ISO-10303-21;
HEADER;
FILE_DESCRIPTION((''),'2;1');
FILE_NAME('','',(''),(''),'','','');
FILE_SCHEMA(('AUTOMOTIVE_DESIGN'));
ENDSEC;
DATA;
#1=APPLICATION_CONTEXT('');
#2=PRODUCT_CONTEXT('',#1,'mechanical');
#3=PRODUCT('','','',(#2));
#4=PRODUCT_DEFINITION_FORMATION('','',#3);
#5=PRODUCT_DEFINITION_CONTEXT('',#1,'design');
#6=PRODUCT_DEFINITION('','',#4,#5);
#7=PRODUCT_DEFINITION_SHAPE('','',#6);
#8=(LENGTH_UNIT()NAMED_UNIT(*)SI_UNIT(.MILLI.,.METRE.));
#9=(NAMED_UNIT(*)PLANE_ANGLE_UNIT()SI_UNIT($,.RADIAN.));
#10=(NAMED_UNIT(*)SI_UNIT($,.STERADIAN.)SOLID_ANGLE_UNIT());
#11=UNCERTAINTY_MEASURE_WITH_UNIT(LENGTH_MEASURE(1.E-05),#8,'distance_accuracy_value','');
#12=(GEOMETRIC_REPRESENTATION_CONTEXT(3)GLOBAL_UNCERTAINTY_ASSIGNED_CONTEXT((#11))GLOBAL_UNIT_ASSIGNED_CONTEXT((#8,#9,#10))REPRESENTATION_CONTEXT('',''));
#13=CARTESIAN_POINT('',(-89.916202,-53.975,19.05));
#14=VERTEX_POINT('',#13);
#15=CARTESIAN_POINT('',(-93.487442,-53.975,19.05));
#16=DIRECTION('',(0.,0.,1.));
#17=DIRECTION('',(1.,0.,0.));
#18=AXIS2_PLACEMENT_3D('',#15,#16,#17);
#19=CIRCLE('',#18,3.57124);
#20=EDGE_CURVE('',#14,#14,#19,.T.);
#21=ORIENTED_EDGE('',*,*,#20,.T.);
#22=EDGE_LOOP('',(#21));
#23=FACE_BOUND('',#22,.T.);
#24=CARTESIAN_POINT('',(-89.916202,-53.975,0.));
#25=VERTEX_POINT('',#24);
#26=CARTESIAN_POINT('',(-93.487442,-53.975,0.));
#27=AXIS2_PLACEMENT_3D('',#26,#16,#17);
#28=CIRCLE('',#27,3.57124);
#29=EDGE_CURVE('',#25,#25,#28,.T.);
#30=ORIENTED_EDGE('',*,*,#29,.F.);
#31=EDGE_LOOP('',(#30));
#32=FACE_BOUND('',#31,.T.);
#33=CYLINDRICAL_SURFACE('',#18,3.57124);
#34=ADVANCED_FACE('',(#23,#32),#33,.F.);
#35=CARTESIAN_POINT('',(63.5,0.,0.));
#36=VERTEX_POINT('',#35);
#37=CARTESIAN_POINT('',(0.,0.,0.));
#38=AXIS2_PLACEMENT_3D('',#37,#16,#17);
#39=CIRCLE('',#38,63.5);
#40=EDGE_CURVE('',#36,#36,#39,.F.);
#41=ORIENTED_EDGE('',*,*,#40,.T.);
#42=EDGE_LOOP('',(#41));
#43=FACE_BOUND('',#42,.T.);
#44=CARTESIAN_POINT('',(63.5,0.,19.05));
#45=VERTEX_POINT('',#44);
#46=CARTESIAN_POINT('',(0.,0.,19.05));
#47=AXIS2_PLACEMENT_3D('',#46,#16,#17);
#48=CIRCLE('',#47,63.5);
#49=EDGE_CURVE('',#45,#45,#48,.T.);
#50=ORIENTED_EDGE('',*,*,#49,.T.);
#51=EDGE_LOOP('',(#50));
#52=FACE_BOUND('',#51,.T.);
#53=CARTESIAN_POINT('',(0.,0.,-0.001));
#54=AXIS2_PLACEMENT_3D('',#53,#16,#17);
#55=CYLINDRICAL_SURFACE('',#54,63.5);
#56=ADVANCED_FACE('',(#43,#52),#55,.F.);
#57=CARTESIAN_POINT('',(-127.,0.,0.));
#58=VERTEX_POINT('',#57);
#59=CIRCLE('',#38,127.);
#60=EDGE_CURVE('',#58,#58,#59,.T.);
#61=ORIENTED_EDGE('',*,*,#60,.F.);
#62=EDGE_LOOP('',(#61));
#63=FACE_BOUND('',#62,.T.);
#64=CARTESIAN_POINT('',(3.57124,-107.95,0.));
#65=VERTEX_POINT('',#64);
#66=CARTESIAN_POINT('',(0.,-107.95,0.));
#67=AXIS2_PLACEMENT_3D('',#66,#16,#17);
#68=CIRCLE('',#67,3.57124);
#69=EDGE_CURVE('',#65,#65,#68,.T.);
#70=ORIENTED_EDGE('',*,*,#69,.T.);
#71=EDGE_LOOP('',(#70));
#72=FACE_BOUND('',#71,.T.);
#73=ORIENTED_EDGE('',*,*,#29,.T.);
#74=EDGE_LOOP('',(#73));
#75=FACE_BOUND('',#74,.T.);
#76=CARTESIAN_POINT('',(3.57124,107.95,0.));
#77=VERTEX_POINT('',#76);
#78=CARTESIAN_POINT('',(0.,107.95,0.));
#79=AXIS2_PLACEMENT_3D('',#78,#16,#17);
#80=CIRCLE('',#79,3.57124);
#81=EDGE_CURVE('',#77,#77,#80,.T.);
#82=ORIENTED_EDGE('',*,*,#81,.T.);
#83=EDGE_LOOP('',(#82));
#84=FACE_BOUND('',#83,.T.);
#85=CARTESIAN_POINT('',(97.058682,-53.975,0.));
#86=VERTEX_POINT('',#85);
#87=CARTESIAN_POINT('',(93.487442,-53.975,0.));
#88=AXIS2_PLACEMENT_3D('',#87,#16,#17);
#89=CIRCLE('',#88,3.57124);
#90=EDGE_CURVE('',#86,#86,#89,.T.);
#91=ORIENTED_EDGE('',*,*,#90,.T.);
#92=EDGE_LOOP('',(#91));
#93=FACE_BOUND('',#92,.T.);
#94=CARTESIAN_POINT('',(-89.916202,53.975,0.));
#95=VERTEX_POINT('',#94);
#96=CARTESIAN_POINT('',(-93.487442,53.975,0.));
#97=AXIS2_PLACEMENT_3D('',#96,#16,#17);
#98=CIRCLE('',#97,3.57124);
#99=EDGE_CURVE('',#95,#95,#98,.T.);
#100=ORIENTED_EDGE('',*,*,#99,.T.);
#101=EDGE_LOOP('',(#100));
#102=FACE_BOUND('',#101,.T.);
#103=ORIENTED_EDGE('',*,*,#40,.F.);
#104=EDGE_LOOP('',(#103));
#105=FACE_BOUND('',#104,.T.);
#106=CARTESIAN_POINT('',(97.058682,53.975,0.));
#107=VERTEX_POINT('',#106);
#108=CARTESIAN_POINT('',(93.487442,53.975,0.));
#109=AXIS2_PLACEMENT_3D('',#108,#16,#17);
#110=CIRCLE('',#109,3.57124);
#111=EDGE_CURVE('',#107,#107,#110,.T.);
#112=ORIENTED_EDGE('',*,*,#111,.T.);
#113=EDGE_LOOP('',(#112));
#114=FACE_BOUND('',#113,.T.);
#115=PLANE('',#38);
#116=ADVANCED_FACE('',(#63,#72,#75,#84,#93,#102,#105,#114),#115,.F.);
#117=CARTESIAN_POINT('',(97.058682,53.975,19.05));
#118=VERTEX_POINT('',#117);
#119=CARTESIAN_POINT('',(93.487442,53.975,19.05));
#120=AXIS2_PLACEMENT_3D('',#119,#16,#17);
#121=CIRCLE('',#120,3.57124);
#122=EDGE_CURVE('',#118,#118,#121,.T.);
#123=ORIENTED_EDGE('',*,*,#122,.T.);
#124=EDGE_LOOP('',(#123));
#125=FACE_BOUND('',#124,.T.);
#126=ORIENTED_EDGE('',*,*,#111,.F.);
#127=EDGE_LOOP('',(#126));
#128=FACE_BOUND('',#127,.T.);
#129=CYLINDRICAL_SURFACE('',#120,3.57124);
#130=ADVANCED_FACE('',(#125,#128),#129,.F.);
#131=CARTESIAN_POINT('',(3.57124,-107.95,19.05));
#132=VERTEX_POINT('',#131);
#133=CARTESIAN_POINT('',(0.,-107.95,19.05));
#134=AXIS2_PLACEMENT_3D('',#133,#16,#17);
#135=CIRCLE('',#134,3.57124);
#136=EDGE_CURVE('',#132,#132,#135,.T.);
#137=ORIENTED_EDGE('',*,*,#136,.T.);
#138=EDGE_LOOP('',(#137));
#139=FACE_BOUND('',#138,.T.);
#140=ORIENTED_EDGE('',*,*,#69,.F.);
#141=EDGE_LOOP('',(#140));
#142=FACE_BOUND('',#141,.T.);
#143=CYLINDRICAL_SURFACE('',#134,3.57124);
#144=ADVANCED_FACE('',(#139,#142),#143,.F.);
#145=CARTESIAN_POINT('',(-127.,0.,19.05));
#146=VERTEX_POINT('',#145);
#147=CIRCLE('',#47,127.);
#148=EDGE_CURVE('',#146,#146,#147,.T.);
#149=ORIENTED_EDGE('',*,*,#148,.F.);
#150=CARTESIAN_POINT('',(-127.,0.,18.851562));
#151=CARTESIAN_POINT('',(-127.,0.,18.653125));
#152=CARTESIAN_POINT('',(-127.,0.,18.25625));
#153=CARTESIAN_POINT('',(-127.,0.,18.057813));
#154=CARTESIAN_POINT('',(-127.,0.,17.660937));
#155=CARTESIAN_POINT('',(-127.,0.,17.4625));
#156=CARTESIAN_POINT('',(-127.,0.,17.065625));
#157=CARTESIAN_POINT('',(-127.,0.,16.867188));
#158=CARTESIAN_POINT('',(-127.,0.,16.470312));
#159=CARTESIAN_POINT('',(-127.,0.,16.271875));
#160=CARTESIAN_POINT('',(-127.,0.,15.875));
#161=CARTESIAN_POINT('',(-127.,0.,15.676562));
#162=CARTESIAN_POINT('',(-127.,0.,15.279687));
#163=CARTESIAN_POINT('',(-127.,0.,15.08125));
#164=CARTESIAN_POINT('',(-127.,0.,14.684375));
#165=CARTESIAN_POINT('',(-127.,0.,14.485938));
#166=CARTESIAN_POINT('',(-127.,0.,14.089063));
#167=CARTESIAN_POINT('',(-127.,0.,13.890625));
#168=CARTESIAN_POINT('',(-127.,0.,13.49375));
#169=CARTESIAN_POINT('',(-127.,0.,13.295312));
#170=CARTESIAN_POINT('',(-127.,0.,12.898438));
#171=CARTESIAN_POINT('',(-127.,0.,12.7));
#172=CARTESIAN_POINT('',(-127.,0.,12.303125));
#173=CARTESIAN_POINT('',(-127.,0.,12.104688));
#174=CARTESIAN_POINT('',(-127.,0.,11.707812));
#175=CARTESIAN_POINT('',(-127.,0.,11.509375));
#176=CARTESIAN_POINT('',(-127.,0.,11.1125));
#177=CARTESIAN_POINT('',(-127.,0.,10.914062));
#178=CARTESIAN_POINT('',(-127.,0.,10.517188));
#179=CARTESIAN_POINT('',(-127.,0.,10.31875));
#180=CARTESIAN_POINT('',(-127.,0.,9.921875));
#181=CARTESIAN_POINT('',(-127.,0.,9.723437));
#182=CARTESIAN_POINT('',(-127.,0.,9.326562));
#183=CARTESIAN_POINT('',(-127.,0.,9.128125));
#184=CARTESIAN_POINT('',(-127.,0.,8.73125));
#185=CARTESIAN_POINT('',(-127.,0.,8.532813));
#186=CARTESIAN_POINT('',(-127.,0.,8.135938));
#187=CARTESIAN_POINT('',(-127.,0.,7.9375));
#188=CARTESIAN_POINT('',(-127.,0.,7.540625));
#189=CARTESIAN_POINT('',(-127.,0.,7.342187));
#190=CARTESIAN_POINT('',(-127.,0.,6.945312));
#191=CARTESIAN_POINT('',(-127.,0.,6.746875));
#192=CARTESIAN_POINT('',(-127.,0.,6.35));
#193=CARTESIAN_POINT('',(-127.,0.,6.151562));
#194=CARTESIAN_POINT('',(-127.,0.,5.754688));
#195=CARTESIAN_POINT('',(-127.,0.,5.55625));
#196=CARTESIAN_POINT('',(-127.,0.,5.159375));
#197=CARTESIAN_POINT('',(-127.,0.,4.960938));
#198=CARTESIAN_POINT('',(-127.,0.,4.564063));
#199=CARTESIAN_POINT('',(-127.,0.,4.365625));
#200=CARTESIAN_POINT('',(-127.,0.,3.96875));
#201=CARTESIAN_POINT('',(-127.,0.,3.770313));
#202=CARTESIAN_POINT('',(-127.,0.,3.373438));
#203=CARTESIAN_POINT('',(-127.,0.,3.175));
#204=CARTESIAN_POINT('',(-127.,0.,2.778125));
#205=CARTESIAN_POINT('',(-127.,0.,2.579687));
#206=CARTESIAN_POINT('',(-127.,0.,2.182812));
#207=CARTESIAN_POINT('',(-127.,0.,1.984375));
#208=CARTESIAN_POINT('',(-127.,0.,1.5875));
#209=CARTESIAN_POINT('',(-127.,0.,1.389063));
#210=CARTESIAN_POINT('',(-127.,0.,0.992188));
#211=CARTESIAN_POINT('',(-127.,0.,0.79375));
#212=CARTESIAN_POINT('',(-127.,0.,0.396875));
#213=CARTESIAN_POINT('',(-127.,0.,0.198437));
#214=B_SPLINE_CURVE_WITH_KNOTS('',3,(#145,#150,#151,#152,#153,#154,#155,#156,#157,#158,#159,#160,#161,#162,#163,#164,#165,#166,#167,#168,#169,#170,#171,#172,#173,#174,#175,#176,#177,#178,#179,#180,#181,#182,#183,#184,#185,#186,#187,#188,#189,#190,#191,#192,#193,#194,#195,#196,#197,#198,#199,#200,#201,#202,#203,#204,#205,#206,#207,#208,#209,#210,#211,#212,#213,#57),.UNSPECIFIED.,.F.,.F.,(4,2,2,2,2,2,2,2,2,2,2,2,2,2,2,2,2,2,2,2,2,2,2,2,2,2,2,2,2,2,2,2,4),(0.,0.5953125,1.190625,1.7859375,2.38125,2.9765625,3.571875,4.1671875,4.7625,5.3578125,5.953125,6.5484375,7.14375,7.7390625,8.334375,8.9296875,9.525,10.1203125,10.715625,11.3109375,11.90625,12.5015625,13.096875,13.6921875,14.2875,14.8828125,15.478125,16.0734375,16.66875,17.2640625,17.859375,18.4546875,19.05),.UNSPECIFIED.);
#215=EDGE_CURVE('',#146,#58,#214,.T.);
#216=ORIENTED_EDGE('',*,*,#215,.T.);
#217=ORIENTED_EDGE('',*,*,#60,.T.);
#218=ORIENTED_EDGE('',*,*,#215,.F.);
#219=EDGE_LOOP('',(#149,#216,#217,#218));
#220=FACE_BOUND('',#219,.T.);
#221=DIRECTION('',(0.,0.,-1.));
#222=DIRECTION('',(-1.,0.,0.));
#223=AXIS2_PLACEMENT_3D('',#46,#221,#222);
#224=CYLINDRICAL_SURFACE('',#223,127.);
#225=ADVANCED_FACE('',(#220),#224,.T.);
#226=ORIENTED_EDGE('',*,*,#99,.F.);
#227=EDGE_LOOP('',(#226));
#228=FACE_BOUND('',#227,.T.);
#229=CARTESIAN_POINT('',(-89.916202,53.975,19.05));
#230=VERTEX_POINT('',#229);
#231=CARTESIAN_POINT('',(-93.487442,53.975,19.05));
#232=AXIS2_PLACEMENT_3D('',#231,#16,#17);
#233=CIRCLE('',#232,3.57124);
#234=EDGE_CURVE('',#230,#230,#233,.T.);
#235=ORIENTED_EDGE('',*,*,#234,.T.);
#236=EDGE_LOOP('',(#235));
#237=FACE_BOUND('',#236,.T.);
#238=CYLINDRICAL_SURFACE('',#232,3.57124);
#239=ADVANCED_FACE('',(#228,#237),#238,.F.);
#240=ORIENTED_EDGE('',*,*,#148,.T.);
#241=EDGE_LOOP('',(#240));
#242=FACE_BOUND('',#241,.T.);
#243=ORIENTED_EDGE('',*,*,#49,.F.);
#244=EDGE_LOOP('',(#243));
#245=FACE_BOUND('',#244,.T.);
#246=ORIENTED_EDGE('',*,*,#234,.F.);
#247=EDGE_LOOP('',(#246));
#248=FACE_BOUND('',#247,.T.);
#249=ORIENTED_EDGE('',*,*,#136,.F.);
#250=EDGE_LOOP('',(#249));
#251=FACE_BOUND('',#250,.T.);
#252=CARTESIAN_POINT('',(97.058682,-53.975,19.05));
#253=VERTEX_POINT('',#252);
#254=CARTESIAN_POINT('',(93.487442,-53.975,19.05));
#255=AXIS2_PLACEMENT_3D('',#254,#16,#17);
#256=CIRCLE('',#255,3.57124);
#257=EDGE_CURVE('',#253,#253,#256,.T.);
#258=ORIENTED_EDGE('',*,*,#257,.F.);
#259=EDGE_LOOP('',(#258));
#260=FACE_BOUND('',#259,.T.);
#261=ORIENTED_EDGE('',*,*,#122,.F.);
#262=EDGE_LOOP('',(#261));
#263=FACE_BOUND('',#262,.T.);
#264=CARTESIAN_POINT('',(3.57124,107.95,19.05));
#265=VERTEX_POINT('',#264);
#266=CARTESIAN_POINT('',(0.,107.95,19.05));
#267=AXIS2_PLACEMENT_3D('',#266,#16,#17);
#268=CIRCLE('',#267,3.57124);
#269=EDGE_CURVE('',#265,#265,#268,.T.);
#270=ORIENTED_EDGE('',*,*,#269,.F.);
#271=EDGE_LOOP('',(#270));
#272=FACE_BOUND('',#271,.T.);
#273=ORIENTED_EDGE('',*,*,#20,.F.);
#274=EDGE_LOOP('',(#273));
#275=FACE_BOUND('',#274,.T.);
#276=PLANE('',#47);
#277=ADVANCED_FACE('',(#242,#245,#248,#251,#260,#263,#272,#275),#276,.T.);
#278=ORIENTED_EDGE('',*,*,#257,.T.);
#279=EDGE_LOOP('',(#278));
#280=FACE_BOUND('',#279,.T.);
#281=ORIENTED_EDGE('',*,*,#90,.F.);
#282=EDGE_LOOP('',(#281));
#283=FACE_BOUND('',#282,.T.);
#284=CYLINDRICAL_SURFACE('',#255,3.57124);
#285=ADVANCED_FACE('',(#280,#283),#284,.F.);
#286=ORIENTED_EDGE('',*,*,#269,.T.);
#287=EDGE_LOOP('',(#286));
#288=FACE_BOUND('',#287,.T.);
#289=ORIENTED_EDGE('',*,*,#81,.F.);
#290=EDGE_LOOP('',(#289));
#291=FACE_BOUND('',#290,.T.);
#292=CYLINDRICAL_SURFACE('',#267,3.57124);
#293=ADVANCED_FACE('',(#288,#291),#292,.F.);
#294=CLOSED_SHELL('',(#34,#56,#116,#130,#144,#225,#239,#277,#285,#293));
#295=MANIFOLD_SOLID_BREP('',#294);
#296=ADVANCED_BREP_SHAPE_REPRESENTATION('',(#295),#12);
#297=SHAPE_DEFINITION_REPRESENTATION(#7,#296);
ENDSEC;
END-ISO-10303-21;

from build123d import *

# Parameters (mm, degrees)
SKETCH1_R               = 127
BOSS_EXTRUDE1_DEPTH     = 19.05
F_1_4_CLEARANCE_HOLE1_D = 7.14248
CUT_EXTRUDE1_REACH      = 182.613
SKETCH4_R               = 63.5


with BuildPart() as part:
    # Sketch1 → Boss-Extrude1 (new body)
    with BuildSketch(Plane.XY):
        with Locations(Location((0, 0, 0), (0, 0, 180))):
            Circle(SKETCH1_R)
    extrude(amount=BOSS_EXTRUDE1_DEPTH)

    # 1/4 Clearance Hole1 (through all)
    with Locations(Plane.XY.offset(19.05)):
        with Locations((-93.487442339, 53.975), (0, 107.95), (93.487442339, 53.975), (93.487442339, -53.975), (0, -107.95), (-93.487442339, -53.975)):
            Hole(F_1_4_CLEARANCE_HOLE1_D / 2)

    # Sketch4 → Cut-Extrude1 (cut, up to next)
    with BuildSketch(Plane.XY.offset(19.05), mode=Mode.PRIVATE) as cut_extrude1_sk1:
        Circle(SKETCH4_R)
    cut_extrude1_tool1 = extrude(cut_extrude1_sk1.sketch, amount=-CUT_EXTRUDE1_REACH, mode=Mode.PRIVATE) & part.part
    add(cut_extrude1_tool1.solids().sort_by_distance((0, 0, 19.05))[0], mode=Mode.SUBTRACT)


solid = part.part
